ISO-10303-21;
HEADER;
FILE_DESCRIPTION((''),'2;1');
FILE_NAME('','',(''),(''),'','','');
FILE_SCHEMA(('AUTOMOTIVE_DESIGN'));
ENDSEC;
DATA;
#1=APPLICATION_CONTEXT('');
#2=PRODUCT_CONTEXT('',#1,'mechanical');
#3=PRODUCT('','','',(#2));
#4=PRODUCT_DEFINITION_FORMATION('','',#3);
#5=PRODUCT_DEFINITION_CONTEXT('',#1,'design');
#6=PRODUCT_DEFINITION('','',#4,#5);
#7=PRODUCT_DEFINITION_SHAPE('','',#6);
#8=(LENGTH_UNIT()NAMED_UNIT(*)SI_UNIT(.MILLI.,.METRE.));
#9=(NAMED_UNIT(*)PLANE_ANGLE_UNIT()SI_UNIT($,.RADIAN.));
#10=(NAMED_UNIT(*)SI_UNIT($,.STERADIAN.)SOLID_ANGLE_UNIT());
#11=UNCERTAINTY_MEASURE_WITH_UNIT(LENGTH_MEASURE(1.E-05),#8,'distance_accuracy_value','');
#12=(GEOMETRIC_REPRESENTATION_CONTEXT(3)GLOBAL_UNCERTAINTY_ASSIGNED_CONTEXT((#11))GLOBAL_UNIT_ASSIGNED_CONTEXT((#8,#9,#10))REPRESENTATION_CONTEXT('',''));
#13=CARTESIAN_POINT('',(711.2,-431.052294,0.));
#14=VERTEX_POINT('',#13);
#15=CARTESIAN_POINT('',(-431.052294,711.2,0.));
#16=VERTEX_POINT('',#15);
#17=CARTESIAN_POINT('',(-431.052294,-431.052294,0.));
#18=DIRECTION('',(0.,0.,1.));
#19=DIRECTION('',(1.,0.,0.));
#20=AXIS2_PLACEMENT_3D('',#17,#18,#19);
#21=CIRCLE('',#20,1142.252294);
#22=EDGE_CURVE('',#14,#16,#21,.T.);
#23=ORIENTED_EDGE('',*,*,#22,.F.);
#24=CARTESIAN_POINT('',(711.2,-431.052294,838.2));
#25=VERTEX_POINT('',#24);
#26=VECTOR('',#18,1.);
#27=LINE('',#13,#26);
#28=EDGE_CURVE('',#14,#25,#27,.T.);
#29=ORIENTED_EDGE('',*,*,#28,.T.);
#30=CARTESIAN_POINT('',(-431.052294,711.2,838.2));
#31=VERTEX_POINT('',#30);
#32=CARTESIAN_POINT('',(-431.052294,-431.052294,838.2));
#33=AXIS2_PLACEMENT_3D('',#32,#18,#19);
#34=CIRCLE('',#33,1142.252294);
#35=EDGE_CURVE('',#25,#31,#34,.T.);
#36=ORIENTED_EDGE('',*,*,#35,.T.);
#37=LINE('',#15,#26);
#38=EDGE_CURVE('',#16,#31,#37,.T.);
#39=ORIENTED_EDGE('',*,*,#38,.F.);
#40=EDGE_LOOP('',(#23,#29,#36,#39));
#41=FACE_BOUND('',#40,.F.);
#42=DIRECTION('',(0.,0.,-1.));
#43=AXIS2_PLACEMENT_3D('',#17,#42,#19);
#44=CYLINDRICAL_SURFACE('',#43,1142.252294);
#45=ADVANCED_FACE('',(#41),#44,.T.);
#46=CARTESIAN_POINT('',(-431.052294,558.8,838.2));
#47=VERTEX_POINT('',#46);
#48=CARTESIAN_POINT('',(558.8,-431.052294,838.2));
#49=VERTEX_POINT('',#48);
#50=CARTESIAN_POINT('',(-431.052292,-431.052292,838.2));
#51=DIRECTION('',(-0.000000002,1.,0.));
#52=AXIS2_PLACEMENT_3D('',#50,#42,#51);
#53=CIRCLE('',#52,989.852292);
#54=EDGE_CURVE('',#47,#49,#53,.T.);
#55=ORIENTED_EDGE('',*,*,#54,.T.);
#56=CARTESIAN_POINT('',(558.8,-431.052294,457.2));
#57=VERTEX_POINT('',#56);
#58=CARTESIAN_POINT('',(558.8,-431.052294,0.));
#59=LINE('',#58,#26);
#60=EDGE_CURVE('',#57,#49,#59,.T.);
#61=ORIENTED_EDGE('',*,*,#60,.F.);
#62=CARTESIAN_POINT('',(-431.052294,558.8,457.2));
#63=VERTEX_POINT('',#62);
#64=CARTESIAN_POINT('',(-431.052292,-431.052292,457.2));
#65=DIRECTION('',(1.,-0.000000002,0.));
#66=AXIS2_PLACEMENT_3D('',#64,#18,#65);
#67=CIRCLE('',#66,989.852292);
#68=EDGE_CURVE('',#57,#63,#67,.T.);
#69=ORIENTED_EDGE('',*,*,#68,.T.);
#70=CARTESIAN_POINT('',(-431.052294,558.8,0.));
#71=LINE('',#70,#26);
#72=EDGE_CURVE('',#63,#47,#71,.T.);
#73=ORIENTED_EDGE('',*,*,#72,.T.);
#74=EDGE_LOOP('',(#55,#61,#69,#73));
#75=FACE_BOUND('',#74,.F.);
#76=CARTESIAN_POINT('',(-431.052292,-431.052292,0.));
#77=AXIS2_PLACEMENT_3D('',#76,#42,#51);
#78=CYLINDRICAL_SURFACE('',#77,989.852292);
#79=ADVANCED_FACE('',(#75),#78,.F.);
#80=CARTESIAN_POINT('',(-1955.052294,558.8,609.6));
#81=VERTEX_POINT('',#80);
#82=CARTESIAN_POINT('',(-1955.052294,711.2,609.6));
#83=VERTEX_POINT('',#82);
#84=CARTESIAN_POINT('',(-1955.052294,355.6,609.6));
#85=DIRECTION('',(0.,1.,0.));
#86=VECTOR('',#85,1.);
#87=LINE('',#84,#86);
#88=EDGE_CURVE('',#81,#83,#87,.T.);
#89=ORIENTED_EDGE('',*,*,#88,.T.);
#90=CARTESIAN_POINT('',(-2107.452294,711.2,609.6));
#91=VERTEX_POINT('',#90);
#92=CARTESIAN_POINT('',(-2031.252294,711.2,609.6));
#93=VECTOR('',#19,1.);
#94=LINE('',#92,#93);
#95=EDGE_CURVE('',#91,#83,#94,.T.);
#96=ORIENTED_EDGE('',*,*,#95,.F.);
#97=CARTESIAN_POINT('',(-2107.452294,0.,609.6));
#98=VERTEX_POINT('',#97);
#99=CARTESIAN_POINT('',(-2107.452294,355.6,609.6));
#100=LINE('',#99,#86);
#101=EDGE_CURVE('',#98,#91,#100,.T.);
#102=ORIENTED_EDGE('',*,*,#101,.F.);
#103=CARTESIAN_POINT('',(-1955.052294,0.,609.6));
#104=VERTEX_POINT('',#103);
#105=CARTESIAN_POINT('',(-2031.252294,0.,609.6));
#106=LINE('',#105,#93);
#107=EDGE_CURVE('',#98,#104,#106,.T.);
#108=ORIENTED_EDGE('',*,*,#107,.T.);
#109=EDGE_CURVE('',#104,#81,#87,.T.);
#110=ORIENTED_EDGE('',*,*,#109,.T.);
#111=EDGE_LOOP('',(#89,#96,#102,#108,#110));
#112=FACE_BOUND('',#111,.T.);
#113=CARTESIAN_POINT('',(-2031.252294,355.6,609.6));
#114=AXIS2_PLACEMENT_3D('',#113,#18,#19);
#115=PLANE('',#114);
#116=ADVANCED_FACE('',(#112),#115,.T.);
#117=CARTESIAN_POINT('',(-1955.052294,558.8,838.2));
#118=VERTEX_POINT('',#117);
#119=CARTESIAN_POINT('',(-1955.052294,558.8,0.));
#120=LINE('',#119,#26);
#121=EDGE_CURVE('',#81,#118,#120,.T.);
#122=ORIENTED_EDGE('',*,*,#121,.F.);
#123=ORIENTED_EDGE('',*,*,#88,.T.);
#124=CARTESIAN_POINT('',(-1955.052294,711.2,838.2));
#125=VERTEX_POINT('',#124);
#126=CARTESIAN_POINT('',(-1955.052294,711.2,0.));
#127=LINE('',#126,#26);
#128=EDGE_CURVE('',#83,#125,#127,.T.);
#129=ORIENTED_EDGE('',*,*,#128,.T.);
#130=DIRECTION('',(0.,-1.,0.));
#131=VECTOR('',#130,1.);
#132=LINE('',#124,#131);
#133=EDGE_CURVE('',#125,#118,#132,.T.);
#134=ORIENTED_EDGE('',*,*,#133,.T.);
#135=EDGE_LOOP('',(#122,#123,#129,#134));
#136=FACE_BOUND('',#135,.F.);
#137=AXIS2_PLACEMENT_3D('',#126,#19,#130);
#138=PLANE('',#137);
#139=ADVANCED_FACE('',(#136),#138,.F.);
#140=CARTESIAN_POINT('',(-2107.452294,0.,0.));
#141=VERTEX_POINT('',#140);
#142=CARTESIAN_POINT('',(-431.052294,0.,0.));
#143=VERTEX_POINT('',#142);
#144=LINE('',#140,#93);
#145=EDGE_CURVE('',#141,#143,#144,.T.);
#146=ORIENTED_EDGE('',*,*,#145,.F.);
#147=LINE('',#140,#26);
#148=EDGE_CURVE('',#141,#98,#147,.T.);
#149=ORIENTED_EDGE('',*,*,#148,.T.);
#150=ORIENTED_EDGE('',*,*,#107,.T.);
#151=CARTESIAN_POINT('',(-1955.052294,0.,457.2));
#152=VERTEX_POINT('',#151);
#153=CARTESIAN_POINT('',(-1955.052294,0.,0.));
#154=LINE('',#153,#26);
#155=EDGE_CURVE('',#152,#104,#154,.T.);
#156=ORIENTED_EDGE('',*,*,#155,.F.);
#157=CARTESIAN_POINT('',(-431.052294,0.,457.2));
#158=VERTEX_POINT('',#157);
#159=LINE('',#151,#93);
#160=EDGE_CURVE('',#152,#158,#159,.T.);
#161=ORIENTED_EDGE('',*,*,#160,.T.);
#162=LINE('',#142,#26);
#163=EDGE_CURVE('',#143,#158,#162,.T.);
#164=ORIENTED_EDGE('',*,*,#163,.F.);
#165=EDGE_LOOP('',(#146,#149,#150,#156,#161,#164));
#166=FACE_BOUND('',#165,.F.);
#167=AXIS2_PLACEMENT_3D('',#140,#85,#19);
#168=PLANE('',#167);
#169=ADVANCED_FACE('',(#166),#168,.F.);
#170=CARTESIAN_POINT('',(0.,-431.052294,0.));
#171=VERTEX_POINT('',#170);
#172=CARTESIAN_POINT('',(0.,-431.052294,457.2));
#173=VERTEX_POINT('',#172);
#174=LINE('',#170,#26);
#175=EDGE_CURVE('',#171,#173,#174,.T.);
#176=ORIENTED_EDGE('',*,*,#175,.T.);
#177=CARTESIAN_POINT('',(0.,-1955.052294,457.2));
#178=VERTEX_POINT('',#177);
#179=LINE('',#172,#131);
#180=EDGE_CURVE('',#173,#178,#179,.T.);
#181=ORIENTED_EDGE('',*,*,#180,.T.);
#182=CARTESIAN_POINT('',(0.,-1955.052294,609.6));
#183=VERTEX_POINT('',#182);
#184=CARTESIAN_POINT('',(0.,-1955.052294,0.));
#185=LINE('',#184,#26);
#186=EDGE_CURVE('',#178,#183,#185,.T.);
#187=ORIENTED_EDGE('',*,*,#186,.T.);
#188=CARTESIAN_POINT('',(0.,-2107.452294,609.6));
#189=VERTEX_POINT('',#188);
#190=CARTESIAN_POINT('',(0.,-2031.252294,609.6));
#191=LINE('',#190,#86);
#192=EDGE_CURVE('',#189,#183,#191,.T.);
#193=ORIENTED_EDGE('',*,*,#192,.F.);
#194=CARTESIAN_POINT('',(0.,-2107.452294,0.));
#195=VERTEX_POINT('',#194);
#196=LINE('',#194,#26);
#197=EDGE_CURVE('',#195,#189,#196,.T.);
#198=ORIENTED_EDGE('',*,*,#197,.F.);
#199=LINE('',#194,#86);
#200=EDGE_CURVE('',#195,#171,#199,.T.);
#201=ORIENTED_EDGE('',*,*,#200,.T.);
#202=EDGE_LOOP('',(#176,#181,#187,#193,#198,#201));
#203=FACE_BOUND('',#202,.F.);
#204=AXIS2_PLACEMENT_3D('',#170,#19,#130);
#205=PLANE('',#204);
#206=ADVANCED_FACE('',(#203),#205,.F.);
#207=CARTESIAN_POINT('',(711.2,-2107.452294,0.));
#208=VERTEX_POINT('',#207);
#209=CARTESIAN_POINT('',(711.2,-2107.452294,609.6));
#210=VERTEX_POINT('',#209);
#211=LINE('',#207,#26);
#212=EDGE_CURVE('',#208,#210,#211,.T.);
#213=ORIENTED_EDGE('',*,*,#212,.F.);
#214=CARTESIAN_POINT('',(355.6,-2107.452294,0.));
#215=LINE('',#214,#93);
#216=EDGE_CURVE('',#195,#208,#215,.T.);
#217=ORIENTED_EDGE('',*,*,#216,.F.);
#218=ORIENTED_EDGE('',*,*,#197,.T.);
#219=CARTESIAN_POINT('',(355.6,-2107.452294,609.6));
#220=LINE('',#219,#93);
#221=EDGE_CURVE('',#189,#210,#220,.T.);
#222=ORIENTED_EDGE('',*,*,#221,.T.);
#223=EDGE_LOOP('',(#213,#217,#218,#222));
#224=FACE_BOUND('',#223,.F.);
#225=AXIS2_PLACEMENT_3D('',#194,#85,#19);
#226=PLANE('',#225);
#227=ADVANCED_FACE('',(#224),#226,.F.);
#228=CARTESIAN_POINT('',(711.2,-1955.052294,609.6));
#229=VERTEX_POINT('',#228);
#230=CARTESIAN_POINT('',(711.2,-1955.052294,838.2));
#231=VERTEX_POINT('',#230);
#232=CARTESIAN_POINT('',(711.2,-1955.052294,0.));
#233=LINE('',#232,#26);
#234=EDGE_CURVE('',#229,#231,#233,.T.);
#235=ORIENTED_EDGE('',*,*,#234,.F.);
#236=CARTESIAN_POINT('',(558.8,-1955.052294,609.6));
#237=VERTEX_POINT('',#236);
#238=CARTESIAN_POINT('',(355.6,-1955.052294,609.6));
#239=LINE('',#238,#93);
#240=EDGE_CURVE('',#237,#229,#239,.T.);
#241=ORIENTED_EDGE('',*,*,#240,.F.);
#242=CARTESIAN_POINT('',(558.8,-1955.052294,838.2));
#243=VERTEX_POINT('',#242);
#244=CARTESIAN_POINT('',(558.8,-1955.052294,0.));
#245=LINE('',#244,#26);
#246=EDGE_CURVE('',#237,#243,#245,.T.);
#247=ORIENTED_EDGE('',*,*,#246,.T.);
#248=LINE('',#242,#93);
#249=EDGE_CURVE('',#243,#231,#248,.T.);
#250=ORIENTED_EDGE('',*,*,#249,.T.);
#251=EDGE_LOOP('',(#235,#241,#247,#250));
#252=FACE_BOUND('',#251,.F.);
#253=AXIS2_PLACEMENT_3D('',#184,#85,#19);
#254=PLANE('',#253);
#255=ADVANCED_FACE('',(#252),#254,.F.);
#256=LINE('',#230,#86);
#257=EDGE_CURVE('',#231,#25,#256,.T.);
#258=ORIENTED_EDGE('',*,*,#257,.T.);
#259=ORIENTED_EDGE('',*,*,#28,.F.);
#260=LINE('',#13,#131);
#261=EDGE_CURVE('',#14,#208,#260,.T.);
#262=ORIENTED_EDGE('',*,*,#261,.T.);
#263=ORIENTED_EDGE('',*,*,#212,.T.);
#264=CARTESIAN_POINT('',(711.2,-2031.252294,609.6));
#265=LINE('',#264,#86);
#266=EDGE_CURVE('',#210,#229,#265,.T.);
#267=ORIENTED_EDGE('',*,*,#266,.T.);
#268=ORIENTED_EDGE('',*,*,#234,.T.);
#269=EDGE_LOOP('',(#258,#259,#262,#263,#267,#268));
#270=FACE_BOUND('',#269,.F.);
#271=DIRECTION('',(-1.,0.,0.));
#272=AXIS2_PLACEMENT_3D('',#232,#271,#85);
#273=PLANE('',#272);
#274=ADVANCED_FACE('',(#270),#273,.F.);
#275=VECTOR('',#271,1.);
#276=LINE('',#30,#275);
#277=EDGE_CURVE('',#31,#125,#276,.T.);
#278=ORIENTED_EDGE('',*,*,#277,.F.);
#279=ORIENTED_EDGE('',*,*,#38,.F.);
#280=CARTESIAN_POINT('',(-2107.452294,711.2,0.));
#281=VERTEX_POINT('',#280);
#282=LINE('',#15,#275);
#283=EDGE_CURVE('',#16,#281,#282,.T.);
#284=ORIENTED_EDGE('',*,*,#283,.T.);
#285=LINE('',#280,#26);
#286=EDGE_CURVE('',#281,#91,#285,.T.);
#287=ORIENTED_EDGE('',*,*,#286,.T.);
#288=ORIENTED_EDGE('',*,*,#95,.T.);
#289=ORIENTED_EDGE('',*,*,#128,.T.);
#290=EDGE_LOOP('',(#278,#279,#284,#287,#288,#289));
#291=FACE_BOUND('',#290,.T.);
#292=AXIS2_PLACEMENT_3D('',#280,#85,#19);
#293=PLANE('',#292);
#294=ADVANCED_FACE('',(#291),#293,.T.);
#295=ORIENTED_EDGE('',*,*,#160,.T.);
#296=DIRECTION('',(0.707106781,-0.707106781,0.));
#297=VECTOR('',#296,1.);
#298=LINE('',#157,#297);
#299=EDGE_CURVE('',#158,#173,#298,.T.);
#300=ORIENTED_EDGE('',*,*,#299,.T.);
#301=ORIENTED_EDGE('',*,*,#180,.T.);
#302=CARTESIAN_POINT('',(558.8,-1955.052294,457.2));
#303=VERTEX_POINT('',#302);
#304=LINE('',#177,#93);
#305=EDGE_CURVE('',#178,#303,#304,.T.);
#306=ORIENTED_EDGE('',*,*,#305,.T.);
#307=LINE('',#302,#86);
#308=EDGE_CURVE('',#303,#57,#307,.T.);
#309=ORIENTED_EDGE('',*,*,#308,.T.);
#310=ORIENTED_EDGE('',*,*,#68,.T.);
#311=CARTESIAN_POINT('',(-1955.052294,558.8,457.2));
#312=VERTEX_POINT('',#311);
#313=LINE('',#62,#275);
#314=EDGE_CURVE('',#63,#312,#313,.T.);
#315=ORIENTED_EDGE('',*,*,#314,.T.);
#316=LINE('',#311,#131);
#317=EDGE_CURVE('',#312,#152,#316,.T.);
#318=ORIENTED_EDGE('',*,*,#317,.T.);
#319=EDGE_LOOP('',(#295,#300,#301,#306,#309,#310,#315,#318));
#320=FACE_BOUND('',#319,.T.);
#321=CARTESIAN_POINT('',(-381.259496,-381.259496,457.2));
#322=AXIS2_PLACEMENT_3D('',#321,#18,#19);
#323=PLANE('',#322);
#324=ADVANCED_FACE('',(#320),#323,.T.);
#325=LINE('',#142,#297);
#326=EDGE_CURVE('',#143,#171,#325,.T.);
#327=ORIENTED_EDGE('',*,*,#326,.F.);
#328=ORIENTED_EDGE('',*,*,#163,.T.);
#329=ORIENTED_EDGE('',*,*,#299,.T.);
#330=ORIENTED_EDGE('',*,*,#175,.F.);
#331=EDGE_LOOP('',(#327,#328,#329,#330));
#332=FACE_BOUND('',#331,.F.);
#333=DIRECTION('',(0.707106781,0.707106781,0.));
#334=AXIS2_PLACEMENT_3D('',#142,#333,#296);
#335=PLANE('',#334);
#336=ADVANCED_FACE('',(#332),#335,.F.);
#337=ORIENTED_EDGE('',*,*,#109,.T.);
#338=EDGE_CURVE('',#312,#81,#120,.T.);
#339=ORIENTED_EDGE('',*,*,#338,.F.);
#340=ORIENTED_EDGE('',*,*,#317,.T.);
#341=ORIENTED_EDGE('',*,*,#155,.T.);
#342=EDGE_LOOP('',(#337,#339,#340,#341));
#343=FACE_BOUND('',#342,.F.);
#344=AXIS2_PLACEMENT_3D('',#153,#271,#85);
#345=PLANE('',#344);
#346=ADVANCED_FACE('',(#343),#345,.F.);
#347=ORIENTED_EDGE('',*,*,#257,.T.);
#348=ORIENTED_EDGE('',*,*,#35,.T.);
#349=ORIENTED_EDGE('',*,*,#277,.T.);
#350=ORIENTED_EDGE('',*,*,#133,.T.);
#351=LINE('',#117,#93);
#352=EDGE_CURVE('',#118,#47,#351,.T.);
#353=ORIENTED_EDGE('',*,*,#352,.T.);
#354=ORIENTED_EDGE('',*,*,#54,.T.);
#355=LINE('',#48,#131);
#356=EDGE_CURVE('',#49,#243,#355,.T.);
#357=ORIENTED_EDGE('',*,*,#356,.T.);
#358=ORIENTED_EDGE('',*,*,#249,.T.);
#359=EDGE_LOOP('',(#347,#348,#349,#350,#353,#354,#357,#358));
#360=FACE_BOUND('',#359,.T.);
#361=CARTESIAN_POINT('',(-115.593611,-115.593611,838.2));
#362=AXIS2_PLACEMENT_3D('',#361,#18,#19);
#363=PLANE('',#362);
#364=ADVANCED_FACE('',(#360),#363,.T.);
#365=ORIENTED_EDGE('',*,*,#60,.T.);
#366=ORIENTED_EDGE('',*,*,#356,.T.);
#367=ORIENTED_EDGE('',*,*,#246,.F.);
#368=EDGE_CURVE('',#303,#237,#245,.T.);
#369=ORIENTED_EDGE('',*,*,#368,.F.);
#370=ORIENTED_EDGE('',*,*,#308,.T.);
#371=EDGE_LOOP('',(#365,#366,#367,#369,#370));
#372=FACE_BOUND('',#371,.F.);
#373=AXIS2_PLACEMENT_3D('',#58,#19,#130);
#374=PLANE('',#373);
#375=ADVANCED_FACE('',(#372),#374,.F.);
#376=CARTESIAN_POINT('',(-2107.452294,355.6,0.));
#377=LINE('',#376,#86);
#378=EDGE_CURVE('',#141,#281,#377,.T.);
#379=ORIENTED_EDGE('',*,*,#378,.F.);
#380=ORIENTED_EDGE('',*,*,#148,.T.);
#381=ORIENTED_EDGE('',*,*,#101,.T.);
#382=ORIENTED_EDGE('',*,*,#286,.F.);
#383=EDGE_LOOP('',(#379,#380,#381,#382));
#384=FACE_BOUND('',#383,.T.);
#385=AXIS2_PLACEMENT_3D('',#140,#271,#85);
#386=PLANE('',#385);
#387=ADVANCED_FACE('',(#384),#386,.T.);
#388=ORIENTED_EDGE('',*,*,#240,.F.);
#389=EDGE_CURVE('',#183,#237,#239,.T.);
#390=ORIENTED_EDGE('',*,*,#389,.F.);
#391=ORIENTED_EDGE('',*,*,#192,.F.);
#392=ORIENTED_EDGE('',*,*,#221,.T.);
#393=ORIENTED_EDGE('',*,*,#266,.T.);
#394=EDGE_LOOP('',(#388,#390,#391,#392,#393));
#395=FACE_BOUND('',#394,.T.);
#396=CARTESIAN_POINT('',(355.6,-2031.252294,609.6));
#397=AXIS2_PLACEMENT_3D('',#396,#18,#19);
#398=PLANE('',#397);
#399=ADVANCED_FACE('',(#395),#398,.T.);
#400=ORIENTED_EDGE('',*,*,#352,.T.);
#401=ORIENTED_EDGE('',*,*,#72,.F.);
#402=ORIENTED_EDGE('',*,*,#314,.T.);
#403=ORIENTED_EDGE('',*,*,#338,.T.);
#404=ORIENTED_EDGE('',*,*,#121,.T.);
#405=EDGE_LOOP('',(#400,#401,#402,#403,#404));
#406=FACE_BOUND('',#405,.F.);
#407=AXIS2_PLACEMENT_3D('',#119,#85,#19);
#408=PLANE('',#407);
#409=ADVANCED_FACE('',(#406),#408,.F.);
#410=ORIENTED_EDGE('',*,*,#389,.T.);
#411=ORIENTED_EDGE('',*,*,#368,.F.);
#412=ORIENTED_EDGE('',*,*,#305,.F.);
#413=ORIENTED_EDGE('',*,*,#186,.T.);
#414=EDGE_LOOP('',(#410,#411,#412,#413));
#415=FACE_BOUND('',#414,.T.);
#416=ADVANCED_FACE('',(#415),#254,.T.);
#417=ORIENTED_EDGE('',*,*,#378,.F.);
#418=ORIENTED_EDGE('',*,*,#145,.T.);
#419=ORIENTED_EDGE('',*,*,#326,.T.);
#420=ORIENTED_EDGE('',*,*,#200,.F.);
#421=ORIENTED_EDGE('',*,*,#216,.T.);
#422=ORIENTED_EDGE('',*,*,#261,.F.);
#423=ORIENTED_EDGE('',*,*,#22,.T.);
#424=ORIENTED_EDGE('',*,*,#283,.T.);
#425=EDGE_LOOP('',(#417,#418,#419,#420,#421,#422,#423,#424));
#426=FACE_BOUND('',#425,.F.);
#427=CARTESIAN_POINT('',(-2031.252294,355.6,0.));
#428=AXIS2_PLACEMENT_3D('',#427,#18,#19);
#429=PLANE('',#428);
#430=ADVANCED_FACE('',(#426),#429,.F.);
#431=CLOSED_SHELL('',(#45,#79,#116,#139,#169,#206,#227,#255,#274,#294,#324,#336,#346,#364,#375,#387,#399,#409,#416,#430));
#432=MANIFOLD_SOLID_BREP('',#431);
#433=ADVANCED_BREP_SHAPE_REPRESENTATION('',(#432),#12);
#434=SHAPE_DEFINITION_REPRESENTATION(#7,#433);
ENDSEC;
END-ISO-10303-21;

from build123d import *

# Parameters (mm, degrees)
F1_DEPTH = 457.2
F3_DEPTH = 838.2
F4_W     = 152.4
F4_H     = 711.2
F4_W_2   = 711.2
F4_H_2   = 152.4
F5_DEPTH = 609.6


with BuildPart() as f1:
    # F0 (on Top) → F1 (new body)
    with BuildSketch(Plane.XY):
        with BuildLine():
            Line((-1955.052294, 0), (-431.052294, 0))
            Line((-431.052294, 0), (0, -431.052294))
            Line((0, -431.052294), (0, -1955.052294))
            Line((0, -1955.052294), (558.8, -1955.052294))
            Line((558.8, -1955.052294), (558.8, -431.052294))
            ThreePointArc((558.8, -431.052294), (268.878976, 268.878976), (-431.052294, 558.8))
            Line((-431.052294, 558.8), (-1955.052294, 558.8))
            Line((-1955.052294, 558.8), (-1955.052294, 0))
        make_face()
    extrude(amount=F1_DEPTH)

    # F2 (on Top) → F3 (join)
    with BuildSketch(Plane.XY):
        with BuildLine():
            Line((-1955.052294, 558.8), (-431.052294, 558.8))
            ThreePointArc((-431.052294, 558.8), (268.878976, 268.878976), (558.8, -431.052294))
            Line((558.8, -431.052294), (558.8, -1955.052294))
            Line((558.8, -1955.052294), (711.2, -1955.052294))
            Line((711.2, -1955.052294), (711.2, -431.052294))
            ThreePointArc((711.2, -431.052294), (376.642049, 376.642049), (-431.052294, 711.2))
            Line((-431.052294, 711.2), (-1955.052294, 711.2))
            Line((-1955.052294, 711.2), (-1955.052294, 558.8))
        make_face()
    extrude(amount=F3_DEPTH)

    # F4 (on Top) → F5 (join)
    with BuildSketch(Plane.XY):
        with Locations((-2031.252294, 355.6)):
            Rectangle(F4_W, F4_H)
        with Locations((355.6, -2031.252294)):
            Rectangle(F4_W_2, F4_H_2)
    extrude(amount=F5_DEPTH)


solid = f1.part
